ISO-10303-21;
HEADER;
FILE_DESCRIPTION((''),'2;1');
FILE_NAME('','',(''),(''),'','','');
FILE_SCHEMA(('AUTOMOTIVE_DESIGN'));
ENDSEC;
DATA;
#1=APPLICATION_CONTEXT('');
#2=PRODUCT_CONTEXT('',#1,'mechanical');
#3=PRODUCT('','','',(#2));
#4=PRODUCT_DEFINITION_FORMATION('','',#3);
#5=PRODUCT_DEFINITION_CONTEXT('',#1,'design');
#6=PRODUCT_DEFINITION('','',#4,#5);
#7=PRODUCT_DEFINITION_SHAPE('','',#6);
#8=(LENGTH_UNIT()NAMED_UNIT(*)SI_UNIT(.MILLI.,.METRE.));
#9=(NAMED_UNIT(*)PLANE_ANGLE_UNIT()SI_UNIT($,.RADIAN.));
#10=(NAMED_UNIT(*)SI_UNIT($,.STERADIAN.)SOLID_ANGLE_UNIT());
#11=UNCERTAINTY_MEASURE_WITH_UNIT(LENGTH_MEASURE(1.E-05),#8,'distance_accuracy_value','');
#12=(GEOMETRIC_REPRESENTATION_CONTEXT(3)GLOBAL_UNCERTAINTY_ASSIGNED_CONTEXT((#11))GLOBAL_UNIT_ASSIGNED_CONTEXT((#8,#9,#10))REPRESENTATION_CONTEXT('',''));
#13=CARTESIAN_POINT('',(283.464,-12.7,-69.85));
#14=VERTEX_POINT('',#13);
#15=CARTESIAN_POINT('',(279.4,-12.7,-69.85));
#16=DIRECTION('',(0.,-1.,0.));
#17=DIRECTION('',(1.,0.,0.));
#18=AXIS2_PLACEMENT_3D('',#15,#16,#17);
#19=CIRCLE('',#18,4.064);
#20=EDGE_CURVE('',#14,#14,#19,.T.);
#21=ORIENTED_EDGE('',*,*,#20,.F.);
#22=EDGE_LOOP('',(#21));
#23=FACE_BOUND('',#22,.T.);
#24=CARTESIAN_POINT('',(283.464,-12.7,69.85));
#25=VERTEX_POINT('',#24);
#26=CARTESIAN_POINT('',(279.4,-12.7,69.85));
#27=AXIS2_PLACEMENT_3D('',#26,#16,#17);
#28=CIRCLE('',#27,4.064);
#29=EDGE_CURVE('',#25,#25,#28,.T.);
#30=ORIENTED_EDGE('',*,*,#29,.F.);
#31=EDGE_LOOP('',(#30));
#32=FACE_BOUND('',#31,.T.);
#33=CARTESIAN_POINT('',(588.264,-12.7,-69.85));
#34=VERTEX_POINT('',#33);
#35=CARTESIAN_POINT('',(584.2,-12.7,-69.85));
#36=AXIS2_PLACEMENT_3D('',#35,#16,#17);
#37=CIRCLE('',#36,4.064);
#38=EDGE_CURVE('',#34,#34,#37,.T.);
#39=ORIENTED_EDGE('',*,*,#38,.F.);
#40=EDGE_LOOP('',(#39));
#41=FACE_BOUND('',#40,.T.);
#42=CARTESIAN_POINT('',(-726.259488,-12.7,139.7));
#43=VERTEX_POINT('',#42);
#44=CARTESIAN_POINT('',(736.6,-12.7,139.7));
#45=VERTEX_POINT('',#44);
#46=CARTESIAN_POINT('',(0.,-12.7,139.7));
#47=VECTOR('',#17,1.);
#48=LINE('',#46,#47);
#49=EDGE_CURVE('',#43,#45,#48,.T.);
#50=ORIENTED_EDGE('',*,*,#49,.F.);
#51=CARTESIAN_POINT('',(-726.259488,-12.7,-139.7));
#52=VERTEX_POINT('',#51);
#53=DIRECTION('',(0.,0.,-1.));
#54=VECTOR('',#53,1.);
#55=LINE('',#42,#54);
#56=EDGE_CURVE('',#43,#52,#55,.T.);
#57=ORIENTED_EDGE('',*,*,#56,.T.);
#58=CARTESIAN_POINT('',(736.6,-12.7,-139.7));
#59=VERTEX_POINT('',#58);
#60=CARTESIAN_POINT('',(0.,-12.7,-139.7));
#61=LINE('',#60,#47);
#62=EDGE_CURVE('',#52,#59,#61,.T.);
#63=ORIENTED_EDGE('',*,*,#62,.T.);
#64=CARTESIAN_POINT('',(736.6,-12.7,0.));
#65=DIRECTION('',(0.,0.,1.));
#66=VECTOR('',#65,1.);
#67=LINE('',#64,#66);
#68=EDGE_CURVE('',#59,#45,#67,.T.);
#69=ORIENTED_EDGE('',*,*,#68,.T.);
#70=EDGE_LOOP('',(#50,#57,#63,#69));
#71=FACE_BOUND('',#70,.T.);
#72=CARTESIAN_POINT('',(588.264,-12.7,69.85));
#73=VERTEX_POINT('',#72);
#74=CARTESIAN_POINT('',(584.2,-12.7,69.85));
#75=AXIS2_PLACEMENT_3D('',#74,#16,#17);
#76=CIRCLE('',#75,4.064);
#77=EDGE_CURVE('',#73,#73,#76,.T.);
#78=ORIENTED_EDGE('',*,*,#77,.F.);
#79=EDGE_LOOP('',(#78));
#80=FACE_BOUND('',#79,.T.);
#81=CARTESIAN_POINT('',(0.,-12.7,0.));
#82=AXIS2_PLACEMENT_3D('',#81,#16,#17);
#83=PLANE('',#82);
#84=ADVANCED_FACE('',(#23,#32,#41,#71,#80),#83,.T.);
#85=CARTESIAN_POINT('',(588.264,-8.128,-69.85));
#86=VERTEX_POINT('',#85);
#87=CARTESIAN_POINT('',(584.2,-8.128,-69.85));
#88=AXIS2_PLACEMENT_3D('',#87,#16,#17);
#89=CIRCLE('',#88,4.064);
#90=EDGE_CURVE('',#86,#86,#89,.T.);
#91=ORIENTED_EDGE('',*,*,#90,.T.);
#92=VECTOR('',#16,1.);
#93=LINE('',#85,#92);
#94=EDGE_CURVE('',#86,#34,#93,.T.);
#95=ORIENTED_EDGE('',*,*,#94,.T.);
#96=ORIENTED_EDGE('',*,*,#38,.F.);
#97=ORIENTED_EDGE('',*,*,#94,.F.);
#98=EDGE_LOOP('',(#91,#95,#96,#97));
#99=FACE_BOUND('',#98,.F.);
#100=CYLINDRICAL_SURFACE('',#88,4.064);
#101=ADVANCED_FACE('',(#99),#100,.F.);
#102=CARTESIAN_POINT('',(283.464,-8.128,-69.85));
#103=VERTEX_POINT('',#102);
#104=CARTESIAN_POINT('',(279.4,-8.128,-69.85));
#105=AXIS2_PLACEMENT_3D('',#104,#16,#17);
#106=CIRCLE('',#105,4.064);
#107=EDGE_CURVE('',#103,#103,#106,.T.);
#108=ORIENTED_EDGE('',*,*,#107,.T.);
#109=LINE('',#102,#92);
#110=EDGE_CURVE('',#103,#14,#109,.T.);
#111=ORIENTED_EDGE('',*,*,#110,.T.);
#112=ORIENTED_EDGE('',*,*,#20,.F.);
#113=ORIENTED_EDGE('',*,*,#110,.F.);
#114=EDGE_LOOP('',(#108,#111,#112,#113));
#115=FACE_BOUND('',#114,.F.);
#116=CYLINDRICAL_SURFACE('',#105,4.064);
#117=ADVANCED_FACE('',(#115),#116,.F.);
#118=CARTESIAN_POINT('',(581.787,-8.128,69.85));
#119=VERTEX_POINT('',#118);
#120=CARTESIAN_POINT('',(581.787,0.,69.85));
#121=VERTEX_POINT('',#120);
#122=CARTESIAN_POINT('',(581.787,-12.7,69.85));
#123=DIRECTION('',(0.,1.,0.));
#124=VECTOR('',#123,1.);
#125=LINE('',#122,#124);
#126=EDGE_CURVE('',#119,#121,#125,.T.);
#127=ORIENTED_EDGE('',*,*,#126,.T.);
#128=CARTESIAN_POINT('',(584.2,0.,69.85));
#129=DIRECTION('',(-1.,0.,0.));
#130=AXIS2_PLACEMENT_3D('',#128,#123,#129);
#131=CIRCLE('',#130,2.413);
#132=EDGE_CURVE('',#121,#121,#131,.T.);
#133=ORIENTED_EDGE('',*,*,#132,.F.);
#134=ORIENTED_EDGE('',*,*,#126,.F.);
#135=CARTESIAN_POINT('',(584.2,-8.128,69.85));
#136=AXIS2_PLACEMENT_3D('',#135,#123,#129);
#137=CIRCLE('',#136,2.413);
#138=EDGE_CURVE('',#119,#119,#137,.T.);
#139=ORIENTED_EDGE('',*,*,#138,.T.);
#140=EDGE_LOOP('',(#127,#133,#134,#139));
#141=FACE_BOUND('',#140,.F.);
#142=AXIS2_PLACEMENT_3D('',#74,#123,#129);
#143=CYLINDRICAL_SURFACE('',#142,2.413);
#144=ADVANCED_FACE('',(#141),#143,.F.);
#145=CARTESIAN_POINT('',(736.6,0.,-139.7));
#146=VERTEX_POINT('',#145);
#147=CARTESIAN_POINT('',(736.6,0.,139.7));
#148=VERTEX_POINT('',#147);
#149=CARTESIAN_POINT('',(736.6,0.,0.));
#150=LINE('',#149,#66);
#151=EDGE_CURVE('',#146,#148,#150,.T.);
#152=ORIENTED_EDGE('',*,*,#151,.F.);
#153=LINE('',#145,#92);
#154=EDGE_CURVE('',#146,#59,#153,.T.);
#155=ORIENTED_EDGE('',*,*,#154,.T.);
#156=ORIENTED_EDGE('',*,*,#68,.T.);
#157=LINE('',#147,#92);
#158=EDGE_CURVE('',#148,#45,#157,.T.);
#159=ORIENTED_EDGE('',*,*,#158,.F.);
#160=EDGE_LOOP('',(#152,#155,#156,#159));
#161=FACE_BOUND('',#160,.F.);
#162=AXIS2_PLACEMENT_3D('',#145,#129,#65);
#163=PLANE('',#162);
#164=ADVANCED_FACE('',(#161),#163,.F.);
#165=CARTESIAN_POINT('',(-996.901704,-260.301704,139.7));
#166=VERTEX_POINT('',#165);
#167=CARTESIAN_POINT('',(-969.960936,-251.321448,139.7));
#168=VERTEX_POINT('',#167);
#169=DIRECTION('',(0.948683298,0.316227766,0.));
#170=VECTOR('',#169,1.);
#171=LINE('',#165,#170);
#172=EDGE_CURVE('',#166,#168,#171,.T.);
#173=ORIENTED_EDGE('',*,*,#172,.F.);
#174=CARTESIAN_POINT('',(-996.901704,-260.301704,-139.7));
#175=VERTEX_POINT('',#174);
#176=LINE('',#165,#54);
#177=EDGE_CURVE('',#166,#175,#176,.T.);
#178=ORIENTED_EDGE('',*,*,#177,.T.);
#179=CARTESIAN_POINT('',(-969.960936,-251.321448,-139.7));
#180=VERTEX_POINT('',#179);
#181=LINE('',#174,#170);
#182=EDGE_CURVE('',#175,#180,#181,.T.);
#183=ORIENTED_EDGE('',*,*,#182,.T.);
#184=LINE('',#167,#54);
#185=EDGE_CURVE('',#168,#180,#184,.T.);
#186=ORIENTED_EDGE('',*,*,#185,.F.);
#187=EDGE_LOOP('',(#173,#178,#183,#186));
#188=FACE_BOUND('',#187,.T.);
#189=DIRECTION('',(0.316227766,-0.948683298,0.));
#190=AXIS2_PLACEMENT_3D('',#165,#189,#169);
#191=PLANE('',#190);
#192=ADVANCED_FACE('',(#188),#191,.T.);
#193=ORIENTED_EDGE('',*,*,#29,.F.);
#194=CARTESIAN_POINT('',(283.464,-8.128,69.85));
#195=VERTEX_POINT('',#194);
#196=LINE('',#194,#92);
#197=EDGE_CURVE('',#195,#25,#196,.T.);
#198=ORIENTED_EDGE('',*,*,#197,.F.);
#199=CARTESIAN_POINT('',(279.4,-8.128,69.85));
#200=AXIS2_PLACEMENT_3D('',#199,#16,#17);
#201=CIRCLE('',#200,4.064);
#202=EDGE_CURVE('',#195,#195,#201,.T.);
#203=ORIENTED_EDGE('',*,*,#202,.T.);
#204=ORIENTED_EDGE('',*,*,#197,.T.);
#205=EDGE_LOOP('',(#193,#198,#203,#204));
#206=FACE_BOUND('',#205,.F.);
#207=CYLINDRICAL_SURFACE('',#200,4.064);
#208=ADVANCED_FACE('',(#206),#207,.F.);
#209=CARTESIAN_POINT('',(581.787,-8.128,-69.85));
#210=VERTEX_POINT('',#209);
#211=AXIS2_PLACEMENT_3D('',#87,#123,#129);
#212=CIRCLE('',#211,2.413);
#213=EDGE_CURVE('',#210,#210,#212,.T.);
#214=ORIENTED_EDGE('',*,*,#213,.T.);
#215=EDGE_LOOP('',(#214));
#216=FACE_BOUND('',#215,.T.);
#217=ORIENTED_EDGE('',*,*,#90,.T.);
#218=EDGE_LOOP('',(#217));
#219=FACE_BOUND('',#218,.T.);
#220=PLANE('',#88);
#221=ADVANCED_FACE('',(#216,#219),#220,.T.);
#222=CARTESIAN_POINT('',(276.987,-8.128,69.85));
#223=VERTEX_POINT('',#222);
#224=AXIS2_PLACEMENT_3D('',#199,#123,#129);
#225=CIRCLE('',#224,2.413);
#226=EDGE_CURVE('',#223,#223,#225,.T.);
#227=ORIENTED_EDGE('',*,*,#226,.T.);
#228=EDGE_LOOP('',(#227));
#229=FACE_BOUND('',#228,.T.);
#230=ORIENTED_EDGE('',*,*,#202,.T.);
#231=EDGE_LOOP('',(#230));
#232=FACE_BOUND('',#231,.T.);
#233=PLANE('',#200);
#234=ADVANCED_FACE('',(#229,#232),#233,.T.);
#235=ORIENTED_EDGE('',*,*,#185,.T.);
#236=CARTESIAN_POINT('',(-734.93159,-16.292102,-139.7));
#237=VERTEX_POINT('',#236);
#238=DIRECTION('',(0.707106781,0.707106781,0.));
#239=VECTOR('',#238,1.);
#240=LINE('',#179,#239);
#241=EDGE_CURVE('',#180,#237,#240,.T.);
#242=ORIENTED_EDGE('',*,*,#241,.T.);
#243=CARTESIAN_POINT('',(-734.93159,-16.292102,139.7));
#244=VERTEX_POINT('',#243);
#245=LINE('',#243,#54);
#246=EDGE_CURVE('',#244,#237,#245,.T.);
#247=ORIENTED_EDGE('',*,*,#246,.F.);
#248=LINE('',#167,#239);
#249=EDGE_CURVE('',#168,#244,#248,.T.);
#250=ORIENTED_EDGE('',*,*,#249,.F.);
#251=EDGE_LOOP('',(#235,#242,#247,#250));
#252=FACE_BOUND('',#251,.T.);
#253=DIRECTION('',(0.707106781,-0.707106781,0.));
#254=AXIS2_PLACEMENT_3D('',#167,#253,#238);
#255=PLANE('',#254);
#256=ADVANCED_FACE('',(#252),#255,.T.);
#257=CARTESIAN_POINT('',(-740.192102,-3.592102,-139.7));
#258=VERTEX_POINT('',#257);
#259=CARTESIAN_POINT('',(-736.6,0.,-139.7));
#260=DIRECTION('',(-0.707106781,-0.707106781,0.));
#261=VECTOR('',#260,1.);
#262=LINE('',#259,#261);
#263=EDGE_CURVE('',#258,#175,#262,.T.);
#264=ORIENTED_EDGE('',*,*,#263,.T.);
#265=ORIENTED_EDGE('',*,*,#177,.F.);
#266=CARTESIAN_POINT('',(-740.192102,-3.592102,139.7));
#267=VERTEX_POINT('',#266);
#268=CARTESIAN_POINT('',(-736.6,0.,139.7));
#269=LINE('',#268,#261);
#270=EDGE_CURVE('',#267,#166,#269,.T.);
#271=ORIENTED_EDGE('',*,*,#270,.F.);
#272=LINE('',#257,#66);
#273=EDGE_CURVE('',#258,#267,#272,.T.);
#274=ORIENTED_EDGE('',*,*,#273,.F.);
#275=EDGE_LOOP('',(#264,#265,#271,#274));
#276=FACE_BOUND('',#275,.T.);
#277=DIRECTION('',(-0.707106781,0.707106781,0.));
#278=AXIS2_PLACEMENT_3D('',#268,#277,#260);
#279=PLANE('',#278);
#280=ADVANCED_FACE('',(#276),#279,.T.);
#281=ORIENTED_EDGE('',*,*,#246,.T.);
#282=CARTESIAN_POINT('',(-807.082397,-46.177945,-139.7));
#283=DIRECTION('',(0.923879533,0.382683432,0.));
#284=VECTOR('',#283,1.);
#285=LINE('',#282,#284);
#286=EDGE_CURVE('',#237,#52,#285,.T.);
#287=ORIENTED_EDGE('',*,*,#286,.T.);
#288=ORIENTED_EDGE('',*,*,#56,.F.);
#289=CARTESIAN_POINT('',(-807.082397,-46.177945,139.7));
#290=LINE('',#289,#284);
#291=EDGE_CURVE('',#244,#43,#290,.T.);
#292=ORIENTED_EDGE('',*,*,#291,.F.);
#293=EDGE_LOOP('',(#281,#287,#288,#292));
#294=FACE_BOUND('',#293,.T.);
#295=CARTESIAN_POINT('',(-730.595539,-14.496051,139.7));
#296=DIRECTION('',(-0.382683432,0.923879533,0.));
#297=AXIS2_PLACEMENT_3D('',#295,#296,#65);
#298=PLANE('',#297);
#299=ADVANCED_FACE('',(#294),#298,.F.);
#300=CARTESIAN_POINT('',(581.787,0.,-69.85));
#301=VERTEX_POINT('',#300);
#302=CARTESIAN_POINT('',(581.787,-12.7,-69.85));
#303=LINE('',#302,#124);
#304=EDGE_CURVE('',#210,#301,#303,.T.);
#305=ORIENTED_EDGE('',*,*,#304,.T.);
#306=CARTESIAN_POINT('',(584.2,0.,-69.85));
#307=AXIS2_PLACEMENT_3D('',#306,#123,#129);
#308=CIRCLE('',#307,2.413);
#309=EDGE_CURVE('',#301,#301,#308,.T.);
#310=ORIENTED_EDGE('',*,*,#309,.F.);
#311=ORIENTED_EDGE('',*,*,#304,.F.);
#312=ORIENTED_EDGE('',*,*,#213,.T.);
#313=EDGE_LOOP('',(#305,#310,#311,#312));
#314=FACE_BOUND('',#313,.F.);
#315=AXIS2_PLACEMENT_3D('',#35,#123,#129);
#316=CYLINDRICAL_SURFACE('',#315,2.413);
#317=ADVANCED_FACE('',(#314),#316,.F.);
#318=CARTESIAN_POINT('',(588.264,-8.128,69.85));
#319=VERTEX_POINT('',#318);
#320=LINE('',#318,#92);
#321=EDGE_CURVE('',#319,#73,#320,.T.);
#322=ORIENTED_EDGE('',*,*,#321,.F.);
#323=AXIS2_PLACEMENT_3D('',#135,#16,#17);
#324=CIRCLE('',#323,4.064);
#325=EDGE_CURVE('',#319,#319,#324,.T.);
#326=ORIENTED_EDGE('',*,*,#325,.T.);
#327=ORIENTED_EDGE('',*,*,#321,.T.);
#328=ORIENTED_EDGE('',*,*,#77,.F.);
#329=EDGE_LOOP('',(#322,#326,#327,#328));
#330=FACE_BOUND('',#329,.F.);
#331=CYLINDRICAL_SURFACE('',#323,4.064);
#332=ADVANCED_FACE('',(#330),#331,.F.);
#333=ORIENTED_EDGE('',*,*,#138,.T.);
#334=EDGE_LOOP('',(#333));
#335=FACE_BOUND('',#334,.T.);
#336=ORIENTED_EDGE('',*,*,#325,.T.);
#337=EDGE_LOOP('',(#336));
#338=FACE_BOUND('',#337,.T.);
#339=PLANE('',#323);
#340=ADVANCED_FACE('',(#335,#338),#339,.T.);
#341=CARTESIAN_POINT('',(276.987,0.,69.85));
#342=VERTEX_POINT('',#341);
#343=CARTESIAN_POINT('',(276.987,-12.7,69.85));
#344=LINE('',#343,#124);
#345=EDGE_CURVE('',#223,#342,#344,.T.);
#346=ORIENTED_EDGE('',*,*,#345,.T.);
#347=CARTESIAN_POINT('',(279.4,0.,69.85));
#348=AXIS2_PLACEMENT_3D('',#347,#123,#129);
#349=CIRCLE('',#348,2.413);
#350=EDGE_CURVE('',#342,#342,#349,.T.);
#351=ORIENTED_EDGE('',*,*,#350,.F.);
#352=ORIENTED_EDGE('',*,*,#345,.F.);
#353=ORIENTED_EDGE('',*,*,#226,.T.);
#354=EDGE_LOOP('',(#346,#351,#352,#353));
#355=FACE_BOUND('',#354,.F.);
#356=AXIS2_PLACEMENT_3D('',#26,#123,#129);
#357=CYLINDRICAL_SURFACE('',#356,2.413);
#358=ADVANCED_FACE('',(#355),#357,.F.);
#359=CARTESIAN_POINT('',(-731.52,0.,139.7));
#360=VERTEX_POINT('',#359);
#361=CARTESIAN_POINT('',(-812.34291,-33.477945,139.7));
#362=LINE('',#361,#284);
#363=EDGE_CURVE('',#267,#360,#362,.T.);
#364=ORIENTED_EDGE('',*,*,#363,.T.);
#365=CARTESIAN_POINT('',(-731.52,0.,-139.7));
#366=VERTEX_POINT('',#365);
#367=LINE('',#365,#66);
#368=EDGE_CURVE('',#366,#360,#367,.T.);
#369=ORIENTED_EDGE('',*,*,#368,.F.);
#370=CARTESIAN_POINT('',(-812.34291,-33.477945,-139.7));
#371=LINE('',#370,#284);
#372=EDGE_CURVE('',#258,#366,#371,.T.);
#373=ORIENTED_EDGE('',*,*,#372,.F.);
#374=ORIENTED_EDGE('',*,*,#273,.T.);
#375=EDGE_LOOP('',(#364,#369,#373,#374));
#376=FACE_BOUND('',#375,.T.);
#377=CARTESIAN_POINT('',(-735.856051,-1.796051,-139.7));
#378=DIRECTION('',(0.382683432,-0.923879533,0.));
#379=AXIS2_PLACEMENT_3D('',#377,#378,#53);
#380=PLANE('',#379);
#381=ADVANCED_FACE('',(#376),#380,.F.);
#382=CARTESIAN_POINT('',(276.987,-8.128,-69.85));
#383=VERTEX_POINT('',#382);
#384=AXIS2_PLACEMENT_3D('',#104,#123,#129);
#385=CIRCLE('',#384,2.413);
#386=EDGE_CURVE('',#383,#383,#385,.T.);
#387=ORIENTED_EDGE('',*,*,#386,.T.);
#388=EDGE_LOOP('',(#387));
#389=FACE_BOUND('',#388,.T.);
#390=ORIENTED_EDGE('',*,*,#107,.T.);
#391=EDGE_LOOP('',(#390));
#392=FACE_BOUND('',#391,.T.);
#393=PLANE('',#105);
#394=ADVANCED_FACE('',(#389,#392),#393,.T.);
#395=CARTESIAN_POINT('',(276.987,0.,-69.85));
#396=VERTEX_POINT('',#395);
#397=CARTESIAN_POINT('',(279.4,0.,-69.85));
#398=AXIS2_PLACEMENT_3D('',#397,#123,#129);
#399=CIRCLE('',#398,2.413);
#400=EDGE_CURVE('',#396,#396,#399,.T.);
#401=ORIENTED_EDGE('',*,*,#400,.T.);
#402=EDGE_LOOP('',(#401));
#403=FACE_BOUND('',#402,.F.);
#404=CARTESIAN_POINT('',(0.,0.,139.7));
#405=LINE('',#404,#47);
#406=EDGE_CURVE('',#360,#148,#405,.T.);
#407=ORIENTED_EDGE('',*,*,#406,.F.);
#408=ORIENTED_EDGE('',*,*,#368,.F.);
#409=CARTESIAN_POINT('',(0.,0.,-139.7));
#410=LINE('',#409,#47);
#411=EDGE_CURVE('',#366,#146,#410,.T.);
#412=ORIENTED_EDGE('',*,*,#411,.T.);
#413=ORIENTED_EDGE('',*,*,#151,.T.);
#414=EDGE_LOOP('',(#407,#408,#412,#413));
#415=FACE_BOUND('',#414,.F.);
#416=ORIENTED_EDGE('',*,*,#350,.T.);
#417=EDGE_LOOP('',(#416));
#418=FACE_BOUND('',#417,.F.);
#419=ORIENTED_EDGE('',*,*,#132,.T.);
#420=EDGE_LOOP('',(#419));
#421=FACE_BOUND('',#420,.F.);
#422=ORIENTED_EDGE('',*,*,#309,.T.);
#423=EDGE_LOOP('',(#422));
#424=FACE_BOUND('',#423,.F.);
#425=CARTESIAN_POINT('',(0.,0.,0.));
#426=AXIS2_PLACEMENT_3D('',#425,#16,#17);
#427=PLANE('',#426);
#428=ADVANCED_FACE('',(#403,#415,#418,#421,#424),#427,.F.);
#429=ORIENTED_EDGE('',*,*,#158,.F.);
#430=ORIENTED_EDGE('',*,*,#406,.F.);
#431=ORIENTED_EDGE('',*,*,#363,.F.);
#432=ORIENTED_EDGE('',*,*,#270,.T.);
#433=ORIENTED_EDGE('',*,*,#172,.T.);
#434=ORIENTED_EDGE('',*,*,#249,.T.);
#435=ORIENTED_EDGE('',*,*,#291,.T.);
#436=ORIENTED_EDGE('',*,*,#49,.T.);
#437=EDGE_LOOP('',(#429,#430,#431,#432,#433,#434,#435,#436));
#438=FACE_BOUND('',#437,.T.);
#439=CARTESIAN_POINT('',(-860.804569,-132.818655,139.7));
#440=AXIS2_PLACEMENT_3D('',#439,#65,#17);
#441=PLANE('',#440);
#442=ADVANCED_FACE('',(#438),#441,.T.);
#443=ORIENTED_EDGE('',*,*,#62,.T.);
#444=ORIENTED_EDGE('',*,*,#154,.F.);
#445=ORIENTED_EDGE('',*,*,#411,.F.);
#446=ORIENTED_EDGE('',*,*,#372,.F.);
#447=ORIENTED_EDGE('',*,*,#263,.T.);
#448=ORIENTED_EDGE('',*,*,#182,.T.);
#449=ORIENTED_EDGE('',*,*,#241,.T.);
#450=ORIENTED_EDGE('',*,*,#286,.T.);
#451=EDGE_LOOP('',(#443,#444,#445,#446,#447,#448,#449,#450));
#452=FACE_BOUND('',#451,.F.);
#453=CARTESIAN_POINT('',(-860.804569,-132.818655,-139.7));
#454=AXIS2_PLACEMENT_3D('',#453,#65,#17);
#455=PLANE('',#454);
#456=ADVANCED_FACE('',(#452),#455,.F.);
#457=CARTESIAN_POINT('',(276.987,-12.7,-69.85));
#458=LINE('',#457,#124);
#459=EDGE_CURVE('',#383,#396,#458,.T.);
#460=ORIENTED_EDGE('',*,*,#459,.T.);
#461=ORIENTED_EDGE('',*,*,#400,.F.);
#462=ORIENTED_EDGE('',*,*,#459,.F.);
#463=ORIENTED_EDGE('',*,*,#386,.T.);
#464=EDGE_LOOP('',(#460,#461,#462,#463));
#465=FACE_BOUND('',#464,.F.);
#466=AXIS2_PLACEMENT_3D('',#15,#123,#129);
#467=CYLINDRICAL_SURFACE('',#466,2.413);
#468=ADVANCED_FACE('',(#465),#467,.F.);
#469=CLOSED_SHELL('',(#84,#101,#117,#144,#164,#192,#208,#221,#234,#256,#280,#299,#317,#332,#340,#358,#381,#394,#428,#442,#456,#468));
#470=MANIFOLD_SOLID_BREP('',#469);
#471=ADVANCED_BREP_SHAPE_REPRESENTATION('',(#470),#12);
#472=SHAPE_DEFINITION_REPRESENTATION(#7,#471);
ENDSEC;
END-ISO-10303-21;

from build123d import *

# Parameters (mm, degrees)
F0_W           = 1473.2
F0_H           = 279.4
F1_DEPTH       = 12.7
F3_DEPTH       = 279.4
F4_SIZE        = 5.08
F6_D           = 4.826
F6_CBORE_D     = 8.128
F6_CBORE_DEPTH = 4.572


with BuildPart() as f1:
    # F0 (on Front) → F1 (new body)
    with BuildSketch(Plane.XZ):
        Rectangle(F0_W, F0_H)
    extrude(amount=F1_DEPTH)

    # F2 (on face) → F3 (join)
    with BuildSketch(Plane.XY.offset(139.7)):
        Polygon((-731.3394877579, -12.7), (-736.6, -12.7), (-736.6, 0), (-996.9017039253, -260.3017039253), (-969.9609355621, -251.3214478042), align=None)
    extrude(amount=-F3_DEPTH)

    # F4
    f4_edges = [f1.edges().sort_by_distance(p)[0] for p in [
        (-736.6, 0, 0),
        (-731.339488, -12.7, 0),
    ]]
    chamfer(f4_edges, length=F4_SIZE)

    # F6 (through all)
    with Locations(Plane.XZ.offset(12.7)):
        with Locations((279.4, 69.85), (279.4, -69.85), (584.2, -69.85), (584.2, 69.85)):
            CounterBoreHole(F6_D / 2, F6_CBORE_D / 2, F6_CBORE_DEPTH)


solid = f1.part
